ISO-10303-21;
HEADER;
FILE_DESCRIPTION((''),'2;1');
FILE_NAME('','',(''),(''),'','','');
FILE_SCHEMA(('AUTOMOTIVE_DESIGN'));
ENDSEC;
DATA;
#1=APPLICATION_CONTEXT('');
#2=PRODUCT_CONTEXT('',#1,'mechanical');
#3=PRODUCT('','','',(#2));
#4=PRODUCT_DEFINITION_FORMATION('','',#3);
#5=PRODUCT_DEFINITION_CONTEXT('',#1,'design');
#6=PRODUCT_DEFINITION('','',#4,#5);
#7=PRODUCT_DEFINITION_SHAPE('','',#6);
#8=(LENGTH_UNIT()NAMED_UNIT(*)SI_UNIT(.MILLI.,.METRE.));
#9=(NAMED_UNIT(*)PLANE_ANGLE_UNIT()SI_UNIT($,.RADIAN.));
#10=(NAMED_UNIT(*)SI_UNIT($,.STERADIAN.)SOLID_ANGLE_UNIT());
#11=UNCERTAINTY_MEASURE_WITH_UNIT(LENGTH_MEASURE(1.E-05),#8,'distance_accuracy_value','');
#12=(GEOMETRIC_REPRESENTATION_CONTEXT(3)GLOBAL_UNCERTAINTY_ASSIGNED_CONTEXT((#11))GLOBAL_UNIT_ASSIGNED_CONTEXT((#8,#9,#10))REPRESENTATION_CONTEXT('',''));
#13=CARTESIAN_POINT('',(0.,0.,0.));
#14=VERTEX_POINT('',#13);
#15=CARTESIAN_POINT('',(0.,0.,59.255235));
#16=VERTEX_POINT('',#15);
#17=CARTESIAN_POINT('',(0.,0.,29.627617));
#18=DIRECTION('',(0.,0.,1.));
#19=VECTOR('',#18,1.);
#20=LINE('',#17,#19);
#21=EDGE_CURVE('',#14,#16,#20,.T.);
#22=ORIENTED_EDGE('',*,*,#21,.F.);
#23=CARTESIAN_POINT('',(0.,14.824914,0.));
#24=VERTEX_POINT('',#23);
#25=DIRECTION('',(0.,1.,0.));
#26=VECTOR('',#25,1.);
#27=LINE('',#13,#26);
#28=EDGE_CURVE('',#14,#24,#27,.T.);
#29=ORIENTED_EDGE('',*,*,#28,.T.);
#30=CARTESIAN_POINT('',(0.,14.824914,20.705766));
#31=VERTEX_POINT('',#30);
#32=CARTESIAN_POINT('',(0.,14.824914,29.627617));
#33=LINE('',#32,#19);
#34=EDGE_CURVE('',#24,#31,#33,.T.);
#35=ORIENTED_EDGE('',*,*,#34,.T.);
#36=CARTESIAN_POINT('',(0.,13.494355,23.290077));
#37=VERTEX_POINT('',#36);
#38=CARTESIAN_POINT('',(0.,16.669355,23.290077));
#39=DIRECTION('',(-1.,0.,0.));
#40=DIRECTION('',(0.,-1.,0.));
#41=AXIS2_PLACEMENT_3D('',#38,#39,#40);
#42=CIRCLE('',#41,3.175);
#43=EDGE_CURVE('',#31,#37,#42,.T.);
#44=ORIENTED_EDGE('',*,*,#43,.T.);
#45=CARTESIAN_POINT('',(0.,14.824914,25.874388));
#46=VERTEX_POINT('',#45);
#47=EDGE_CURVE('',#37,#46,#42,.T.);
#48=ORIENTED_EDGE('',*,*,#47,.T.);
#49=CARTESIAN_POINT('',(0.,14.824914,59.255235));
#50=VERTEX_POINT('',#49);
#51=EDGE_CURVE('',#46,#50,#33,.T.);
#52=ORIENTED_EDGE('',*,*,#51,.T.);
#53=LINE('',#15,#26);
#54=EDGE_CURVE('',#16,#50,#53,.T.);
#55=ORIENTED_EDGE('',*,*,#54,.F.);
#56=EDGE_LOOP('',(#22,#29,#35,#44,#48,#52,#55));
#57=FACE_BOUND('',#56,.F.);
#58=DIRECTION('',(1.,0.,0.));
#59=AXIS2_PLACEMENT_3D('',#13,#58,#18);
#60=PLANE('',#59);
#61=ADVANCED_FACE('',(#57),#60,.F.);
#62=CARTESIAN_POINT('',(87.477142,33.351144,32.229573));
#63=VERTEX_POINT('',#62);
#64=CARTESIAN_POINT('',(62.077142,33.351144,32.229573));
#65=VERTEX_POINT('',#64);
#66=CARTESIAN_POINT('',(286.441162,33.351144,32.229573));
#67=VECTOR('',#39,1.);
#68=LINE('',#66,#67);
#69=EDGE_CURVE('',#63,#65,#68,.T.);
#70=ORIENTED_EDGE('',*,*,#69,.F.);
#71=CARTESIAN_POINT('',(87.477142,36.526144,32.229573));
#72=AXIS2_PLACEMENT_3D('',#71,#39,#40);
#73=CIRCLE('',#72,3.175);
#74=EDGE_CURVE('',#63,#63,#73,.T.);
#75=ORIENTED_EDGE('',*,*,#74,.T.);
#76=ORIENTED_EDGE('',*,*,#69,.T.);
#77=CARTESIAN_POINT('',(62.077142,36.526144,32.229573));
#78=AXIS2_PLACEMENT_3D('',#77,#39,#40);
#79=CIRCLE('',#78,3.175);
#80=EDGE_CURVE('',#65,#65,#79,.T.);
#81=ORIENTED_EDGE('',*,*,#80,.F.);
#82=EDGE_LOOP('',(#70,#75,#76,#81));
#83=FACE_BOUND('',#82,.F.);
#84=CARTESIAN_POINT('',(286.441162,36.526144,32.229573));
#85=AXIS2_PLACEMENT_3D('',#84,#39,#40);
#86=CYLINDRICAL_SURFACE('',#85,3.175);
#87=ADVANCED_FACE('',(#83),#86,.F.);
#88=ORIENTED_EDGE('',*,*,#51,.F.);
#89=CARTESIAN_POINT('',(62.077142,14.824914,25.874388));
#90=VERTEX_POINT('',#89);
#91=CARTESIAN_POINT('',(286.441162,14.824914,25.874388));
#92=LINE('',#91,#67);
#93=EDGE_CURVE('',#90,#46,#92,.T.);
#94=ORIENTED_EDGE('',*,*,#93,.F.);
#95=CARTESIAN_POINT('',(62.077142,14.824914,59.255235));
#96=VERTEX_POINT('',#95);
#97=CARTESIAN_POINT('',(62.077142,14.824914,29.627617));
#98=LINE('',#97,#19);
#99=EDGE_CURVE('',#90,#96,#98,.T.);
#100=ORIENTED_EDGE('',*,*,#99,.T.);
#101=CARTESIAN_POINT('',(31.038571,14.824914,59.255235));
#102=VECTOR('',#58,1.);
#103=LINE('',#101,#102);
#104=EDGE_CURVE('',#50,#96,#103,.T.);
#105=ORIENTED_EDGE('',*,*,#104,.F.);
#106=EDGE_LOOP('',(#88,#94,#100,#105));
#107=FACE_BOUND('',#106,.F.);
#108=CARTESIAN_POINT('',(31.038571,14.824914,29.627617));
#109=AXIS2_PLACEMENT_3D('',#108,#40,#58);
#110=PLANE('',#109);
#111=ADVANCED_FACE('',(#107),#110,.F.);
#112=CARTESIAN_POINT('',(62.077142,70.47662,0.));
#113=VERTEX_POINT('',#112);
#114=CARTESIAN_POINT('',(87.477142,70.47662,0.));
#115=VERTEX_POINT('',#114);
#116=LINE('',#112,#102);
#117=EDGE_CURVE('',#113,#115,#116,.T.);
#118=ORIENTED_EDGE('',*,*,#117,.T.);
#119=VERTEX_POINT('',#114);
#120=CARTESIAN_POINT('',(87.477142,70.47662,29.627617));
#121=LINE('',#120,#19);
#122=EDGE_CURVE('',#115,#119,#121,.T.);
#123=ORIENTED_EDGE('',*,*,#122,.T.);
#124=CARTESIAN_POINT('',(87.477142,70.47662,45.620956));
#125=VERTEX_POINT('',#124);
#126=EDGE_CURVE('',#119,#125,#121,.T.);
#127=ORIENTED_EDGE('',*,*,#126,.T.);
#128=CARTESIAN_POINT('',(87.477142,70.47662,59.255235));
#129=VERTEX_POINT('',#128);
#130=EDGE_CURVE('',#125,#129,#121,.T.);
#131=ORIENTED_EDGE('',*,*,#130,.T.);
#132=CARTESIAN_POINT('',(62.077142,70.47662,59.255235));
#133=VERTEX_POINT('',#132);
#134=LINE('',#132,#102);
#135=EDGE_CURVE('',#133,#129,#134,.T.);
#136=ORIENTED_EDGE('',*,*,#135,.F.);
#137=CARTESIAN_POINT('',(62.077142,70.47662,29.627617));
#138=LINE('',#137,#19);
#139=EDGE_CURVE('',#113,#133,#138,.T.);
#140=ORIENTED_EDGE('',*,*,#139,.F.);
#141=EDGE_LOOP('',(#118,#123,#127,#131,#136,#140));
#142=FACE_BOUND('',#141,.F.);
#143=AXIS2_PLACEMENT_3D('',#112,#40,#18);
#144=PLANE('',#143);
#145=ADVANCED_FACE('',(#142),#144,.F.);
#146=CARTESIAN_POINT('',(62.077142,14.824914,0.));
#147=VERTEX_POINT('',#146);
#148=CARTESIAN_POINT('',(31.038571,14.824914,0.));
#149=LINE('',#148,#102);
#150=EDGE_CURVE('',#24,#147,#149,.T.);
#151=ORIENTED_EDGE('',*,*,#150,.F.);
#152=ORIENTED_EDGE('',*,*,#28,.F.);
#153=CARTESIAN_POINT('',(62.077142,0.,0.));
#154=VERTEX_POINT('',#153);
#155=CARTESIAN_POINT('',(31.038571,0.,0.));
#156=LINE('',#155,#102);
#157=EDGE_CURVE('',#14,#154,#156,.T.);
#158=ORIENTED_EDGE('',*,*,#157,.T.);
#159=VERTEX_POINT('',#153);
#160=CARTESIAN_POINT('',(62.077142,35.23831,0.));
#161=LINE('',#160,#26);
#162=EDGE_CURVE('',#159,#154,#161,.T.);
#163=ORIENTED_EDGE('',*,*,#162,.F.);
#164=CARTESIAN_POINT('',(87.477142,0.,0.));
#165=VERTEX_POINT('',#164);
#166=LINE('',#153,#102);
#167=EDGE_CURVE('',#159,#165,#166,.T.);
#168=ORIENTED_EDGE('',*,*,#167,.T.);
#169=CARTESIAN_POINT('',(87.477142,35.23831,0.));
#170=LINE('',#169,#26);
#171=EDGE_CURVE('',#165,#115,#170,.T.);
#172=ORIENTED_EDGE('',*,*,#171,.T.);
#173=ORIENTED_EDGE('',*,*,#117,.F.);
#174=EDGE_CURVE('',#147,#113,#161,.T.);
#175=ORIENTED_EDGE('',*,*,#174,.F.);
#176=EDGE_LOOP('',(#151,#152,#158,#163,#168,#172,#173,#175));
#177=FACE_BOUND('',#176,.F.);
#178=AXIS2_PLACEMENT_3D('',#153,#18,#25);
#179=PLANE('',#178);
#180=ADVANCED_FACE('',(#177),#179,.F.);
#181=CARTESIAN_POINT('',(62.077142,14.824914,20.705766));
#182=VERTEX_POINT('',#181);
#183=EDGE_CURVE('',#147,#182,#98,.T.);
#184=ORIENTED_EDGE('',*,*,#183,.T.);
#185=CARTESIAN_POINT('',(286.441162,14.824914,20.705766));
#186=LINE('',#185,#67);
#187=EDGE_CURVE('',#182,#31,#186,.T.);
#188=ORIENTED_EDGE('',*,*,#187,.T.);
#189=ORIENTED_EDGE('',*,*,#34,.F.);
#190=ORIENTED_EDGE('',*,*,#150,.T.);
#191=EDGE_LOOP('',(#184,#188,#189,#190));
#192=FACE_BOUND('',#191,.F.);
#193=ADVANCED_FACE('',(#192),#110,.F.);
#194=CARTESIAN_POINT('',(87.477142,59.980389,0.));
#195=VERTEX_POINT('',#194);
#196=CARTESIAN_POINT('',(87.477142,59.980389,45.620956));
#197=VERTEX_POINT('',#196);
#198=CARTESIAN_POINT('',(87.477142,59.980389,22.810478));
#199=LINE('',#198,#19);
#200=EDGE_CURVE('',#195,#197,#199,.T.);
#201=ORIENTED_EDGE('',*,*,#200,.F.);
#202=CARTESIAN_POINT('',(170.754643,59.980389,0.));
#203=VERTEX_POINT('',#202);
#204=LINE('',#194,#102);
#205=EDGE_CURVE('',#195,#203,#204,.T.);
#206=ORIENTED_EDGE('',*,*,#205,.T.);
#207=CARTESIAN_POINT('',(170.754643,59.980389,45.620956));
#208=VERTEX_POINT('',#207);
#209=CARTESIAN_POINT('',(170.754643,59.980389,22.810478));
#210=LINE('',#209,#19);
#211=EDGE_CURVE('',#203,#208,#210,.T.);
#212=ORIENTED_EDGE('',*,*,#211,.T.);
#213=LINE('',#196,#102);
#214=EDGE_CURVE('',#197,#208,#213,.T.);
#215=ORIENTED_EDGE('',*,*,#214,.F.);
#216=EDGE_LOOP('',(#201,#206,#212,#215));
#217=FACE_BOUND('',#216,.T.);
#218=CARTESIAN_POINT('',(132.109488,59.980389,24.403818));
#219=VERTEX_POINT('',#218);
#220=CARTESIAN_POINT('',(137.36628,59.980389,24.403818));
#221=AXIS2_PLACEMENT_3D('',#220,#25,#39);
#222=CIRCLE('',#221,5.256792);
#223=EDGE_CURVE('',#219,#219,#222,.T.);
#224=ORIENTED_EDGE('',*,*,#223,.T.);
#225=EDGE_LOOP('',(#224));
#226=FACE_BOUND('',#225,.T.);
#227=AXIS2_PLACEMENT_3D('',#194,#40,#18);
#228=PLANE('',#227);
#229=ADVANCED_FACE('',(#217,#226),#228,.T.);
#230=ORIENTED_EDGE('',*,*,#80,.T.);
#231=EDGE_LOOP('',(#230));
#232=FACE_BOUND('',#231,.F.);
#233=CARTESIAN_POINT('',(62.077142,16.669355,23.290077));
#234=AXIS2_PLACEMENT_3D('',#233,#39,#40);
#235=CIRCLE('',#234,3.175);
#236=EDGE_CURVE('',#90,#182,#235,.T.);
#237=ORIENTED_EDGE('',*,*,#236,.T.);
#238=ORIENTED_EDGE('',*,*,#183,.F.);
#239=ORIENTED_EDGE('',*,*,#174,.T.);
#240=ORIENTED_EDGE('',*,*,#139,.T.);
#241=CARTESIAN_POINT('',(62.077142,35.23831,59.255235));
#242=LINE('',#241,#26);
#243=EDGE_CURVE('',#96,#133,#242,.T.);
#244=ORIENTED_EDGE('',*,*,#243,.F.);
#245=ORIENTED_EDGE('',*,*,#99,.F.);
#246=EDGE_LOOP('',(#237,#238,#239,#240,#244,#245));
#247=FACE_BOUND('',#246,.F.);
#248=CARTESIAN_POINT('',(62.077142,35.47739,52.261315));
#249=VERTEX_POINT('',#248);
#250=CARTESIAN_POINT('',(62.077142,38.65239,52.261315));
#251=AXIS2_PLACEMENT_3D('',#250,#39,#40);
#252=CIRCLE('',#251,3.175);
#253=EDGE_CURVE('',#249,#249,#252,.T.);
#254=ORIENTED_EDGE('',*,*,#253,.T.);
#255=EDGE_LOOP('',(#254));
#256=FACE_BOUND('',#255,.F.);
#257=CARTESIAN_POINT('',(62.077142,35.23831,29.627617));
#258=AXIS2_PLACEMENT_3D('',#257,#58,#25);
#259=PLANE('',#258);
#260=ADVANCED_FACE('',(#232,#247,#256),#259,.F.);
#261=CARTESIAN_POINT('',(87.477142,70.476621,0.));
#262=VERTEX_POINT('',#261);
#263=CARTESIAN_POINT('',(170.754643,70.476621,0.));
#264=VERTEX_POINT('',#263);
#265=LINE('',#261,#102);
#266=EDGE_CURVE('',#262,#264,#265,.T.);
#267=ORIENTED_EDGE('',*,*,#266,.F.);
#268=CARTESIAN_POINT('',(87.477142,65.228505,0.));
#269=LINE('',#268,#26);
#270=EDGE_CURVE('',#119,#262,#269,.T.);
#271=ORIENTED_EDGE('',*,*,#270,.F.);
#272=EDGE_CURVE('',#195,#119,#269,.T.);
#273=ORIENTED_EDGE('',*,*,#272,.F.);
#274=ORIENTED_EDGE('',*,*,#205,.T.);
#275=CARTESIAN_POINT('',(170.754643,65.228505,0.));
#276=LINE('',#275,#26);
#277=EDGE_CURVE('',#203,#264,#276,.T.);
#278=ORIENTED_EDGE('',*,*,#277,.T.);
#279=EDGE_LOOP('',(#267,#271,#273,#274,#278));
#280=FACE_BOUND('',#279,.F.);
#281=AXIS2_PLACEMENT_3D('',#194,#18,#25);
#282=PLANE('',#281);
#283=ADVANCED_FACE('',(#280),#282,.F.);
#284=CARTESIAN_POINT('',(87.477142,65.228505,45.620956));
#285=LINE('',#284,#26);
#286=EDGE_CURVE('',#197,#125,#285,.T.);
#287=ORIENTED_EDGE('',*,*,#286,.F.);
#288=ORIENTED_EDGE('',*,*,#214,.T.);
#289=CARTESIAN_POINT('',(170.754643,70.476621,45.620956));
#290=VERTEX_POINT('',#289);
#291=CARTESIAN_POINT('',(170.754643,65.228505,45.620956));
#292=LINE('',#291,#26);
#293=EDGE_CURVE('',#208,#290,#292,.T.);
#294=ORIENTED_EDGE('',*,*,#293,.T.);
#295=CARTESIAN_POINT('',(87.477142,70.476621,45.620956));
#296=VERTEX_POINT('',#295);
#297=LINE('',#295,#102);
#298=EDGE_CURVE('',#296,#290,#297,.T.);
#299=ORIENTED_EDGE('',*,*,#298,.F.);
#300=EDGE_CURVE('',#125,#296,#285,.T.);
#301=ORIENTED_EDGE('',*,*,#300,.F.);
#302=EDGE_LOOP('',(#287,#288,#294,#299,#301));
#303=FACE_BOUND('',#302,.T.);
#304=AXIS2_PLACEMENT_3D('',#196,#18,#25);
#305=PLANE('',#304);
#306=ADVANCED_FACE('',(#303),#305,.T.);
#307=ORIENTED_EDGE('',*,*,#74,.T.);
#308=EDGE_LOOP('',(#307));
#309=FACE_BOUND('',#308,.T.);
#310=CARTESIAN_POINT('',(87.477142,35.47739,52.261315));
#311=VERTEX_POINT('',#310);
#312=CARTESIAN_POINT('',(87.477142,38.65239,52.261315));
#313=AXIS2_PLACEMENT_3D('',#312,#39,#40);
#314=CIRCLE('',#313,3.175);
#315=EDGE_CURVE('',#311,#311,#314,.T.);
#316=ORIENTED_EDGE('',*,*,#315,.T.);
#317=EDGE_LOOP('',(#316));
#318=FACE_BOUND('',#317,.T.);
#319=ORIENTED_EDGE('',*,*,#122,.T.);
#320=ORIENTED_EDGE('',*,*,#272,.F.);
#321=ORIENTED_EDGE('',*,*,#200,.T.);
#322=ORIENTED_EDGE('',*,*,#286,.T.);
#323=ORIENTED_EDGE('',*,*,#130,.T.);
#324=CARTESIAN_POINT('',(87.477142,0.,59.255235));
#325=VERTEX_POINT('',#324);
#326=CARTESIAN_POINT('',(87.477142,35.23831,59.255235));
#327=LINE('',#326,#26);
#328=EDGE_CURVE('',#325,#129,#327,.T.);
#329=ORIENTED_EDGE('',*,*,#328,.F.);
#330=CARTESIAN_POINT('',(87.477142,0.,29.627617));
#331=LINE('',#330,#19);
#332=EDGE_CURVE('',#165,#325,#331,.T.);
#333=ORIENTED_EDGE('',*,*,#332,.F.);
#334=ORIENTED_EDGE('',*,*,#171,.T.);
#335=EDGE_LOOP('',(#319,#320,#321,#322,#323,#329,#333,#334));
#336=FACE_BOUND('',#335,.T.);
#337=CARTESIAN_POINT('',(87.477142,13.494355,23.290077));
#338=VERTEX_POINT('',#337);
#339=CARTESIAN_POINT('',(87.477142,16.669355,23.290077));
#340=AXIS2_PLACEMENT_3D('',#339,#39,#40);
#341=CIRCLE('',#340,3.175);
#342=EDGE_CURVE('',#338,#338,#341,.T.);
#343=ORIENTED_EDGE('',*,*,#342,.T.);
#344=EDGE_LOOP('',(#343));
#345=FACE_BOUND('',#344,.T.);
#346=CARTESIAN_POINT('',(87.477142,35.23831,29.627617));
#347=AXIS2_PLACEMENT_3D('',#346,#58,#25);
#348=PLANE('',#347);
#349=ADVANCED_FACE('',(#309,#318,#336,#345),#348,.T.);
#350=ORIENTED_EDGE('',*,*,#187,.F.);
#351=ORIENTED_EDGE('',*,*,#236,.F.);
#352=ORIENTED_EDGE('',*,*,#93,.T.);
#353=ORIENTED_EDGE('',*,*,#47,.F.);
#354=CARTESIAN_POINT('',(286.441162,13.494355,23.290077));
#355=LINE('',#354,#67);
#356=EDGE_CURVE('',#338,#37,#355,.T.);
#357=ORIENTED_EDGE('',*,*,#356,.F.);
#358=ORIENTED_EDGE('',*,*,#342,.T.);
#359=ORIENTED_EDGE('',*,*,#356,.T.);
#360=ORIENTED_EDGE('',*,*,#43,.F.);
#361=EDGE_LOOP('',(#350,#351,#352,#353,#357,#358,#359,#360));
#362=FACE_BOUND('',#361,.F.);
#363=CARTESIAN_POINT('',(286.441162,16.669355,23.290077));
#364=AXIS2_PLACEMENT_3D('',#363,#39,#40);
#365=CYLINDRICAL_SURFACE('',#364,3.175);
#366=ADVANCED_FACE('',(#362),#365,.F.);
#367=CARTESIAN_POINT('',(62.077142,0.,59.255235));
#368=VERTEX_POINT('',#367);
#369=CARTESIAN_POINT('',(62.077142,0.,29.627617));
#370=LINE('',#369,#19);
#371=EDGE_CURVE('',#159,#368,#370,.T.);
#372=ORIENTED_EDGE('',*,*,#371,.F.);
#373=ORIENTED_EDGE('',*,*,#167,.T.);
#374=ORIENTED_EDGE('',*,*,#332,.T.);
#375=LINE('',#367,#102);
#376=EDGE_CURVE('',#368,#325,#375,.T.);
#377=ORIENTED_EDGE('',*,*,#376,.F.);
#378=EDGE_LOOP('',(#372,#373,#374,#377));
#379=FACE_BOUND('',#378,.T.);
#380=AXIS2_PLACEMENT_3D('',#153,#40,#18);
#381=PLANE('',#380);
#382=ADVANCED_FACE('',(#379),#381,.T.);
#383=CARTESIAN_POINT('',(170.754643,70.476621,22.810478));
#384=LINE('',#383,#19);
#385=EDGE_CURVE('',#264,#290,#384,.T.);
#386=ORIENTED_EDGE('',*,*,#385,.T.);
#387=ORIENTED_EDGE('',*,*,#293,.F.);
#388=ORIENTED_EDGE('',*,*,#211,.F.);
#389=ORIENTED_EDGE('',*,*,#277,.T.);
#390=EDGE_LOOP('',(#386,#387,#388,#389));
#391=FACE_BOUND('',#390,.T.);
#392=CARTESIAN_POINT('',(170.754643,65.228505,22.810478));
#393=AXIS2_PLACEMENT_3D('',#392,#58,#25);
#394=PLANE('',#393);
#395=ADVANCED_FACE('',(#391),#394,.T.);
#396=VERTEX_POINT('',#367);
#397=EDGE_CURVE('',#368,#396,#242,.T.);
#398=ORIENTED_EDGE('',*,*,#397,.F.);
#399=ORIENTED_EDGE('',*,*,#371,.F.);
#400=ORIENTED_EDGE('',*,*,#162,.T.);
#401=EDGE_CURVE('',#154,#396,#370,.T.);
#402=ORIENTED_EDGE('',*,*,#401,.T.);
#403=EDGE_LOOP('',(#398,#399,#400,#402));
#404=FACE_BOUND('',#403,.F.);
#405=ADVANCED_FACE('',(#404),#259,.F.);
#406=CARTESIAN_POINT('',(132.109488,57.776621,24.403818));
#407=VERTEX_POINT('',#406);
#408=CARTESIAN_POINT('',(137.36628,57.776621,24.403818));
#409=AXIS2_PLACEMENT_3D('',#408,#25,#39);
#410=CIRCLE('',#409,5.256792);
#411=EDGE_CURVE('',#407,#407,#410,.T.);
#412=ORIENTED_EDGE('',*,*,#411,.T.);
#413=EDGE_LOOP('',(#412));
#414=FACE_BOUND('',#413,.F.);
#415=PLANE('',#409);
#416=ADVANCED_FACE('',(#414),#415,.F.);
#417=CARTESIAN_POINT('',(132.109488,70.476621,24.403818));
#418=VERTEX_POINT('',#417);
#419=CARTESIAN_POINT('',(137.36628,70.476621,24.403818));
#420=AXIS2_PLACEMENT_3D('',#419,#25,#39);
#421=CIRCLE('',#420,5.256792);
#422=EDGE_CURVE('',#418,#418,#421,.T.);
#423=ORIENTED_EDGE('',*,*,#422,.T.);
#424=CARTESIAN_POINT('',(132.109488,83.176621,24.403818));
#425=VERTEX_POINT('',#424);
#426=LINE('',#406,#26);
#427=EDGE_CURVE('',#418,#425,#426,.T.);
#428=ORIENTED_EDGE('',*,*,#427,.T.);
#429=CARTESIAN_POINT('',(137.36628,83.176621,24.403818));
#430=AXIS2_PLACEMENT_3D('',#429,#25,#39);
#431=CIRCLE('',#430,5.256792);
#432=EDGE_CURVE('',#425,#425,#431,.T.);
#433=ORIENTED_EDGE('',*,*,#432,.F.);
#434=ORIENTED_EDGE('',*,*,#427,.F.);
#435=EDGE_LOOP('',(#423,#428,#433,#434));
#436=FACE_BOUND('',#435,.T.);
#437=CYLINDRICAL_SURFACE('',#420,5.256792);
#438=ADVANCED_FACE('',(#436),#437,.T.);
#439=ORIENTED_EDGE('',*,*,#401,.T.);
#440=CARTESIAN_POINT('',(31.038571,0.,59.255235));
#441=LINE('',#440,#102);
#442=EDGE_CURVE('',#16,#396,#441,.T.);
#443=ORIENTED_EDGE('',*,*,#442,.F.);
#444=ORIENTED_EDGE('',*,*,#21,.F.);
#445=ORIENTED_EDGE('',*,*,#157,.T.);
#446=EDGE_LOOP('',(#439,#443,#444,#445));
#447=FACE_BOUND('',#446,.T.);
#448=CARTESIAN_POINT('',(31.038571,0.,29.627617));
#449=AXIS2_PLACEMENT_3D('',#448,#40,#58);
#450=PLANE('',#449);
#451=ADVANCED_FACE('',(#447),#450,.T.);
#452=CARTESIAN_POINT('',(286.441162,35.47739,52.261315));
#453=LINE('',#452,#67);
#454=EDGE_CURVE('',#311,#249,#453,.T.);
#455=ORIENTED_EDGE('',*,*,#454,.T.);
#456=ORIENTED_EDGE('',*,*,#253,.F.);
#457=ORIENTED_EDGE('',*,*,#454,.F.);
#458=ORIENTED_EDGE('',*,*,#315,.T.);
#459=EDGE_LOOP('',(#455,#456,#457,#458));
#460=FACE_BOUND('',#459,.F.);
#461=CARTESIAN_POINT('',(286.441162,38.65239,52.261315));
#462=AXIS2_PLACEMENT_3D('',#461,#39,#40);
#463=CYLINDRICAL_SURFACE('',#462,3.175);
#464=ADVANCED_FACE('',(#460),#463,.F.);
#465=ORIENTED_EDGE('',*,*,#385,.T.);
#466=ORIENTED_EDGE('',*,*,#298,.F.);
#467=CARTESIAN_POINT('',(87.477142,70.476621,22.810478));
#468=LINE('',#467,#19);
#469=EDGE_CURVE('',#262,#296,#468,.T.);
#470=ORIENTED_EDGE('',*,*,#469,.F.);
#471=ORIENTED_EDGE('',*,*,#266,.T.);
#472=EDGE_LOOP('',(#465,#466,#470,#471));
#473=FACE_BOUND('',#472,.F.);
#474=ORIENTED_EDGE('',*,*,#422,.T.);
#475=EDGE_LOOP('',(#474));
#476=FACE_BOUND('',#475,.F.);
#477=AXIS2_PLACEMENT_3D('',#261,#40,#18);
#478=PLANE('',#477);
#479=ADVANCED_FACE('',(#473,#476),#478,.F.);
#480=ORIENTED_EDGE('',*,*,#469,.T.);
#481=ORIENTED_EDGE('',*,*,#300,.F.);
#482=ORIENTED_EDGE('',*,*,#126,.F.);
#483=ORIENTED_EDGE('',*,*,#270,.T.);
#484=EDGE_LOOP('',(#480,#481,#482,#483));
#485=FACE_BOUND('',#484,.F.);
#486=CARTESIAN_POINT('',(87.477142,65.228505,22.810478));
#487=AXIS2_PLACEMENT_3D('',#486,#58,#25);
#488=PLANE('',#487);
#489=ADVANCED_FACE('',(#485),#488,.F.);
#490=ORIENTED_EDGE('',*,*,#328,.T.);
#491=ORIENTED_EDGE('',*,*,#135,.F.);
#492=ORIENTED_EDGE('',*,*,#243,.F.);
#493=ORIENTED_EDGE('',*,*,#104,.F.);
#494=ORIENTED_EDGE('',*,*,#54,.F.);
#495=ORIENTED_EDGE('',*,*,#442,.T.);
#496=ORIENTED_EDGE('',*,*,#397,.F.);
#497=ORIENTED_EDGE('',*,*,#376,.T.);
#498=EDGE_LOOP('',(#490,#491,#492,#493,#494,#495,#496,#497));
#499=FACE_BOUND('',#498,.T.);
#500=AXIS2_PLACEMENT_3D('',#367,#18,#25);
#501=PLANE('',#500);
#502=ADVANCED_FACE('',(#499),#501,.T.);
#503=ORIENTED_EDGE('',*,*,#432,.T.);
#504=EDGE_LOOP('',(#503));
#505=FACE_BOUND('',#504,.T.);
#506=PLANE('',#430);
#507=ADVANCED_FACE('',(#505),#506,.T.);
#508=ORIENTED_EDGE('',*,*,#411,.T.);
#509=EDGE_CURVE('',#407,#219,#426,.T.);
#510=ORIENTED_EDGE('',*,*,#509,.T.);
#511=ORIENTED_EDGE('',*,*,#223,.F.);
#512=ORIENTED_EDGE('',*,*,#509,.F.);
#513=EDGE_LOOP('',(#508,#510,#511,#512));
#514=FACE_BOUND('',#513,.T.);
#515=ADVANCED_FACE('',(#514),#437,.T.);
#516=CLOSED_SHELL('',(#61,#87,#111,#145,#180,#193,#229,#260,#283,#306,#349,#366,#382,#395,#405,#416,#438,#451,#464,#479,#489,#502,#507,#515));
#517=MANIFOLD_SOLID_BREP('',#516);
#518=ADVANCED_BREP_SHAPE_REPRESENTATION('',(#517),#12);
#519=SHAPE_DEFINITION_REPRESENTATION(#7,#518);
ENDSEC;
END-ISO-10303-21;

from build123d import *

# Parameters (mm, degrees)
F0_W     = 62.077142
F0_H     = 59.255235
F1_DEPTH = 14.824914
F2_W     = 70.476621
F2_H     = 59.255235
F3_DEPTH = 25.4
F4_W     = 10.496232
F4_H     = 45.620956
F5_DEPTH = 83.277501
F6_R     = 5.256792
F7_DEPTH = 12.7
F9_D     = 6.35


with BuildPart() as f1:
    # F0 (on Front) → F1 (new body)
    with BuildSketch(Plane.XZ):
        with Locations((31.038571, 29.627617)):
            Rectangle(F0_W, F0_H)
    extrude(amount=-F1_DEPTH)

    # F2 (on face) → F3 (join)
    with BuildSketch(Plane.YZ.offset(62.077142)):
        with Locations((35.23831, 29.627617)):
            Rectangle(F2_W, F2_H)
    extrude(amount=F3_DEPTH)

    # F4 (on face) → F5 (join)
    with BuildSketch(Plane.YZ.offset(87.477142)):
        with Locations((65.228505, 22.810478)):
            Rectangle(F4_W, F4_H)
    extrude(amount=F5_DEPTH)

    # F6 (on face) → F7 (join, symmetric)
    with BuildSketch(Plane(origin=(0, 70.476621, 0), x_dir=(-1, 0, 0), z_dir=(0, 1, 0))):
        with Locations((-137.36628, 24.403818)):
            Circle(F6_R)
    extrude(amount=F7_DEPTH, both=True)

    # F9 (through all)
    with Locations(Plane.YZ.offset(87.477142)):
        with Locations((16.669355, 23.290077), (36.526144, 32.229573), (38.65239, 52.261315)):
            Hole(F9_D / 2)


solid = f1.part
